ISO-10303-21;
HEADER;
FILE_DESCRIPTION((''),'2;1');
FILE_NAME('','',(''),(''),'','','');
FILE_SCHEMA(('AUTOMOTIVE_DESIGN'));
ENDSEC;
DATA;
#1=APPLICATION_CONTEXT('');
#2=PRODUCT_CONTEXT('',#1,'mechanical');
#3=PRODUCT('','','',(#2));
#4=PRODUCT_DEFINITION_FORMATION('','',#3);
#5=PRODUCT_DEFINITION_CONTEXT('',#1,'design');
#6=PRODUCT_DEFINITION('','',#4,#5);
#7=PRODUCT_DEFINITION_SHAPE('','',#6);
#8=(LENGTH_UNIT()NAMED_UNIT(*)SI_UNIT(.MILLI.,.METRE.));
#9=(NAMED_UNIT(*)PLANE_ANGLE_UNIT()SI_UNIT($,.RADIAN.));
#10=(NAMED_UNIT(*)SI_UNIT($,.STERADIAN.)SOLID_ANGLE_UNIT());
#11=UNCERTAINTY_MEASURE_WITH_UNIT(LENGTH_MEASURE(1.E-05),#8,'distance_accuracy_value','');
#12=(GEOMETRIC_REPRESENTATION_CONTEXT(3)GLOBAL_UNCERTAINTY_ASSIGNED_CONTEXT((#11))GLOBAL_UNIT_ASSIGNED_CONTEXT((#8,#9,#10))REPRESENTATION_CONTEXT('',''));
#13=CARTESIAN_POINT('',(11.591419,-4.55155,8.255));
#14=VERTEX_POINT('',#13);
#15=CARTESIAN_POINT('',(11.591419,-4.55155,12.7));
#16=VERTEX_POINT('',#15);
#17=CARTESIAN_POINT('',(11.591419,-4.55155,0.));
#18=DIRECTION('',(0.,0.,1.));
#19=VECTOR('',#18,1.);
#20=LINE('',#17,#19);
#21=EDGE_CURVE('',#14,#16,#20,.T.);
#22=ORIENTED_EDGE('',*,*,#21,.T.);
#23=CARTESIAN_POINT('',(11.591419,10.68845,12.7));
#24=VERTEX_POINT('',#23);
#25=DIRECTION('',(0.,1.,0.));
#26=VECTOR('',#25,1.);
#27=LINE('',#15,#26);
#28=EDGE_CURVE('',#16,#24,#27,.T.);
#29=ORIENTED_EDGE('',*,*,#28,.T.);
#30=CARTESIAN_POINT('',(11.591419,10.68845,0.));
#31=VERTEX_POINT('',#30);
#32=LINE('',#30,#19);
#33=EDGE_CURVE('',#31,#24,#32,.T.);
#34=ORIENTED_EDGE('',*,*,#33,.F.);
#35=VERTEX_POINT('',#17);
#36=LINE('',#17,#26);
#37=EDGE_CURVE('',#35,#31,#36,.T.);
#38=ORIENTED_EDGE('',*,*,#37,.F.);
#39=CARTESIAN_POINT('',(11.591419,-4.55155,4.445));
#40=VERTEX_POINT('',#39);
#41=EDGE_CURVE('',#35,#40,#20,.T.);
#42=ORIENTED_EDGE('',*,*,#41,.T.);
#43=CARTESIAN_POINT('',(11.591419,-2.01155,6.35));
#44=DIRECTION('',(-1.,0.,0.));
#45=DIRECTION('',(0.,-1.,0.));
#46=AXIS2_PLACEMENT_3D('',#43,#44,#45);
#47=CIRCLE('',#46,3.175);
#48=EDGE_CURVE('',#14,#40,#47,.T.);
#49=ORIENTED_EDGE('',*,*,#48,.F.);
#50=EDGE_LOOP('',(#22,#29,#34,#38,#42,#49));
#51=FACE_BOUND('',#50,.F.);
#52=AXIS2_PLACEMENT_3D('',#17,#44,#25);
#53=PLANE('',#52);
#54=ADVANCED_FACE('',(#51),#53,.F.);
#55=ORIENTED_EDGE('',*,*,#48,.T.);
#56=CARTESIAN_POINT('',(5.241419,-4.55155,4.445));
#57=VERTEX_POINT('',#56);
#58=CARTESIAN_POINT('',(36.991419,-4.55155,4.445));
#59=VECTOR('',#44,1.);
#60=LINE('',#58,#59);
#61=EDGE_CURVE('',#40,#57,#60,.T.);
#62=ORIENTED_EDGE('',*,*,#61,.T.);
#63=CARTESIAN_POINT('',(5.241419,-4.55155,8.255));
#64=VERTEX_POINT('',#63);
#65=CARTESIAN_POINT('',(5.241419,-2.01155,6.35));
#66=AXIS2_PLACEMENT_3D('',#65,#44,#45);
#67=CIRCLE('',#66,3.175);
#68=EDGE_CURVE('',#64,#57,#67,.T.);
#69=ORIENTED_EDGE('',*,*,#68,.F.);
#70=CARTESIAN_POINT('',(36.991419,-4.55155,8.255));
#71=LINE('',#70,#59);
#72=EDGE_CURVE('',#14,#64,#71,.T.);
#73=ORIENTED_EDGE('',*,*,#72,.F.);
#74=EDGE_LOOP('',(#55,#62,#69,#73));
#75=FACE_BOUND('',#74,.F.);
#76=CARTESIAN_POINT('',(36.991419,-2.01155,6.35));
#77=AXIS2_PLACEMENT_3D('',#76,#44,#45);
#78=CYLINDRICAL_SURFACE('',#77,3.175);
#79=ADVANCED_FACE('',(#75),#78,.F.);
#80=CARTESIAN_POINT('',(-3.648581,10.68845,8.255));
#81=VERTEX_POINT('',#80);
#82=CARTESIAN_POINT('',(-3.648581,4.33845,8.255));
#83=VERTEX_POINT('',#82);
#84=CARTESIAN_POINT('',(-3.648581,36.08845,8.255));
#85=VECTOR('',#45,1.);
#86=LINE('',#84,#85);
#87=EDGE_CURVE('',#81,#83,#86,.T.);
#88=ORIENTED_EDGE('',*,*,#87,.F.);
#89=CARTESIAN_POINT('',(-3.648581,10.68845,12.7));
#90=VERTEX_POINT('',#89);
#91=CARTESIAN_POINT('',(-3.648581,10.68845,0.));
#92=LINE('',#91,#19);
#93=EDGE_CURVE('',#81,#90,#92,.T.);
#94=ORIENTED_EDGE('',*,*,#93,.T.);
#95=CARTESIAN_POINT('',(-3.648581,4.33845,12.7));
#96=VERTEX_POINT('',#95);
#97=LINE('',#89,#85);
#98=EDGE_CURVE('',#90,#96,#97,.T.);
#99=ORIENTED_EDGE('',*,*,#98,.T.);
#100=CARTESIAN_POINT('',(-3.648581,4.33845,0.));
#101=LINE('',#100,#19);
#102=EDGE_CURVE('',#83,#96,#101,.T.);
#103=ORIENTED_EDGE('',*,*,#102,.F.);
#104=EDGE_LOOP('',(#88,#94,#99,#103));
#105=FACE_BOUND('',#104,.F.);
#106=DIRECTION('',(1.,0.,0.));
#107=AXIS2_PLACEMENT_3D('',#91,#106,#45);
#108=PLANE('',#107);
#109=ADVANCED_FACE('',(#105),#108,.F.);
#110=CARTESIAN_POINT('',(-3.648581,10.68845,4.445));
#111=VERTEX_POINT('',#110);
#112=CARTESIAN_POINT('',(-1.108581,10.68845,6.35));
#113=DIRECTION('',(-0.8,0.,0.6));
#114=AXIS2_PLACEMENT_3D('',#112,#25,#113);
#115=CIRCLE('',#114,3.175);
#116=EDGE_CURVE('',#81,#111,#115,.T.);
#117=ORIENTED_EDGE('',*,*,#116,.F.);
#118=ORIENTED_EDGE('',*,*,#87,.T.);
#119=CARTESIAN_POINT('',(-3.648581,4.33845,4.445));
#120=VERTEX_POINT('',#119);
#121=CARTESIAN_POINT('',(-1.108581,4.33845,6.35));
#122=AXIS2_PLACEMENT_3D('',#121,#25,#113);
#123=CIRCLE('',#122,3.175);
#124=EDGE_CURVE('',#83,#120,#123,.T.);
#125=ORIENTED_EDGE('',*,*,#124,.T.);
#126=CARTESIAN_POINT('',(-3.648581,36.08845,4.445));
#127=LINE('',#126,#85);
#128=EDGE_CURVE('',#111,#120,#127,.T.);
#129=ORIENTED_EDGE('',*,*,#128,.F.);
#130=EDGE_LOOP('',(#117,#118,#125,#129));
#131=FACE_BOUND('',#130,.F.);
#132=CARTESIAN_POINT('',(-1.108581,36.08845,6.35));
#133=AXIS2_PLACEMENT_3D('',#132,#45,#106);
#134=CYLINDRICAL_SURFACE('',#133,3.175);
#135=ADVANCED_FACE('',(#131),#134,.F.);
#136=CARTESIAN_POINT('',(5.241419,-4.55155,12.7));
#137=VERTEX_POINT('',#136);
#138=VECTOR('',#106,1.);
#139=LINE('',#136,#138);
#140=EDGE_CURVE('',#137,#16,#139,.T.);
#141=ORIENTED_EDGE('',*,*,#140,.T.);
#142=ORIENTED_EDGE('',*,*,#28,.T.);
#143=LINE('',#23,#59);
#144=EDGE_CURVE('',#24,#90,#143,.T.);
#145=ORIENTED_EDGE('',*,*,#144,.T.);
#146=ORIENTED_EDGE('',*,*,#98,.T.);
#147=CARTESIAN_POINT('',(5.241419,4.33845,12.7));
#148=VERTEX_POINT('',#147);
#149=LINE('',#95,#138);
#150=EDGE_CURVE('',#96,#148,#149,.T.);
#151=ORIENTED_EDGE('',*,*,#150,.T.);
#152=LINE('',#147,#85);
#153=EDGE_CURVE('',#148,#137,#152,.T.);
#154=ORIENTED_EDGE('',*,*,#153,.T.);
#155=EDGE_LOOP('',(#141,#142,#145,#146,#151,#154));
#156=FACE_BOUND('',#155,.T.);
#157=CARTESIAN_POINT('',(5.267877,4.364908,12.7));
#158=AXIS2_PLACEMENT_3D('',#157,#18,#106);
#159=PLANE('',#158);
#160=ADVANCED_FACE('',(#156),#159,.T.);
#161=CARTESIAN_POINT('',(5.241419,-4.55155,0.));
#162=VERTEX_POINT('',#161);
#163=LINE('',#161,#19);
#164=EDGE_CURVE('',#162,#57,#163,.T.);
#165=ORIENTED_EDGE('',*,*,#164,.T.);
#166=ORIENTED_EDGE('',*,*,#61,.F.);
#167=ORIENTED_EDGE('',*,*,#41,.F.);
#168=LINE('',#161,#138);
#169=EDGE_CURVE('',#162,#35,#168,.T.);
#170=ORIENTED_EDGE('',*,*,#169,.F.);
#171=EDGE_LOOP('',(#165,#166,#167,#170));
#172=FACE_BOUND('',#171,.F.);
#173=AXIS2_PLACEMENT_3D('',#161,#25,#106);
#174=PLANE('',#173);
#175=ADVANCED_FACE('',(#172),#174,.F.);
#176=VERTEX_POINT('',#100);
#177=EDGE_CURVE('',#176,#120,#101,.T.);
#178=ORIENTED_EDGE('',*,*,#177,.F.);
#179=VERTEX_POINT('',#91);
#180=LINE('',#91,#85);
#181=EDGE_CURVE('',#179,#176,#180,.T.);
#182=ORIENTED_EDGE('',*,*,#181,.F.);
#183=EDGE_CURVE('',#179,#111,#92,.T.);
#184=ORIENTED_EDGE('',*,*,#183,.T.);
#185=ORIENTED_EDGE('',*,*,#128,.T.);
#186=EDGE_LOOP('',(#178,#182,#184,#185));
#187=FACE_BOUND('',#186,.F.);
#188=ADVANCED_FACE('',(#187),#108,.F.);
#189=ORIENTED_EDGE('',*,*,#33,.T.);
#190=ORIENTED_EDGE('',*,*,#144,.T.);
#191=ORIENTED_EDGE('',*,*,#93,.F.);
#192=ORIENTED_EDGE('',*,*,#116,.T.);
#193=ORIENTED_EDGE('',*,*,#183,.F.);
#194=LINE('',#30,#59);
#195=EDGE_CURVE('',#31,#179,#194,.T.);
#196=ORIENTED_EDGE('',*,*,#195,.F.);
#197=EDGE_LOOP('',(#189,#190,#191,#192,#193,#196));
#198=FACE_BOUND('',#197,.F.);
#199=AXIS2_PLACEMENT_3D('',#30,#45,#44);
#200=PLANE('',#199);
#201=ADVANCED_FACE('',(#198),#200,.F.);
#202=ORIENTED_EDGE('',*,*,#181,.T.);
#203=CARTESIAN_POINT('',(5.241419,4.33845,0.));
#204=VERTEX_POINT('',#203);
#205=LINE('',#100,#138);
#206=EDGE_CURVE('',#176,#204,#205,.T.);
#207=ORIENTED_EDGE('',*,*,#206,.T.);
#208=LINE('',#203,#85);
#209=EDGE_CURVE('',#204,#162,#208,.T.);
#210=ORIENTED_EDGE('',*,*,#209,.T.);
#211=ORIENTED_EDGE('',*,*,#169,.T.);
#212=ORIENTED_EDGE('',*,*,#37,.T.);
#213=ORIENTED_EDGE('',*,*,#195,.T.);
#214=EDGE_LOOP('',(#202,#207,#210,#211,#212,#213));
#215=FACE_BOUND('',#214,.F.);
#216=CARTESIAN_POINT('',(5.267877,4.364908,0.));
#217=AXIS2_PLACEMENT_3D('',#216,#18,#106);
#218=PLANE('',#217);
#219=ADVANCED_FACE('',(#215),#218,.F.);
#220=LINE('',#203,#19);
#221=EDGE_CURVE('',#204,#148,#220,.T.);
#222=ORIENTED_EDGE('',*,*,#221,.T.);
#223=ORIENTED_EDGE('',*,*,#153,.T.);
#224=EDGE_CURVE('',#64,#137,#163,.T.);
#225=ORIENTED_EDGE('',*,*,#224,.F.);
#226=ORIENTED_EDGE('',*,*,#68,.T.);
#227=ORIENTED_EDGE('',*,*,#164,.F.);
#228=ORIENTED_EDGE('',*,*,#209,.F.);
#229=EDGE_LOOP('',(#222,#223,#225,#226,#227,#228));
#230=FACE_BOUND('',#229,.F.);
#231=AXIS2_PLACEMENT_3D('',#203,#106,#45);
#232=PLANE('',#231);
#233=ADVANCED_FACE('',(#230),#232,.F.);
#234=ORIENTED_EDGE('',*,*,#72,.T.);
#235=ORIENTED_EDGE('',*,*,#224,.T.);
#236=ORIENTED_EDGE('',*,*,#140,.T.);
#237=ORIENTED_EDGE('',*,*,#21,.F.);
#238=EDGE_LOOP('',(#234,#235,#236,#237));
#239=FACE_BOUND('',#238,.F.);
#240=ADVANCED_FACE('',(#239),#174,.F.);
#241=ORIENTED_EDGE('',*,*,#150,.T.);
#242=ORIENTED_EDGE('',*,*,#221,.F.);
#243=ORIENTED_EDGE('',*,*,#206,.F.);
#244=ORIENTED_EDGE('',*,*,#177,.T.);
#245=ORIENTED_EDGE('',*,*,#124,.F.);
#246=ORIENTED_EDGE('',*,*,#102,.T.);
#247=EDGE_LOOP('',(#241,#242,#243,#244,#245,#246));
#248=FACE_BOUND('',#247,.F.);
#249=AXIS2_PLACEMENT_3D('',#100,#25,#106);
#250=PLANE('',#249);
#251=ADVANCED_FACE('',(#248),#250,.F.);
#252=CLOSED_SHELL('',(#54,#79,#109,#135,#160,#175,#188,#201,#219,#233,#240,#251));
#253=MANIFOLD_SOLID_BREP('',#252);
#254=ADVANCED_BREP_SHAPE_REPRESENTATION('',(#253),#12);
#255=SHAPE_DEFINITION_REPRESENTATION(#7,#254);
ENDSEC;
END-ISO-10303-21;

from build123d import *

# Parameters (mm, degrees)
F1_DEPTH       = 12.7
F4_D           = 6.35
F4_DEPTH       = 25.4
F4_TIP         = 1.9077324654
F4_ON_F3_D     = 6.35
F4_ON_F3_DEPTH = 25.4
F4_ON_F3_TIP   = 1.9077324654


with BuildPart() as f1:
    # F0 (on Top) → F1 (new body)
    with BuildSketch(Plane.XY):
        Polygon((-3.6485809102, 10.6884501653), (-3.6485809102, 4.3384501653), (5.2414190898, 4.3384501653), (5.2414190898, -4.5515498347), (11.5914190898, -4.5515498347), (11.5914190898, 10.6884501653), align=None)
    extrude(amount=F1_DEPTH)

    # F4
    with Locations(Plane(origin=(0, 10.6884501653, 0), x_dir=(-1, 0, 0), z_dir=(0, 1, 0))):
        with Locations((1.1085809102, 6.35)):
            Hole(F4_D / 2, depth=F4_DEPTH)
            with Locations((0, 0, -(F4_DEPTH + F4_TIP / 2))):  # 118° drill point
                Cone(0, F4_D / 2, F4_TIP, mode=Mode.SUBTRACT)

    # F4 on F3
    with Locations(Plane.YZ.offset(11.5914190898)):
        with Locations((-2.0115498347, 6.35)):
            Hole(F4_ON_F3_D / 2, depth=F4_ON_F3_DEPTH)
            with Locations((0, 0, -(F4_ON_F3_DEPTH + F4_ON_F3_TIP / 2))):  # 118° drill point
                Cone(0, F4_ON_F3_D / 2, F4_ON_F3_TIP, mode=Mode.SUBTRACT)


solid = f1.part
